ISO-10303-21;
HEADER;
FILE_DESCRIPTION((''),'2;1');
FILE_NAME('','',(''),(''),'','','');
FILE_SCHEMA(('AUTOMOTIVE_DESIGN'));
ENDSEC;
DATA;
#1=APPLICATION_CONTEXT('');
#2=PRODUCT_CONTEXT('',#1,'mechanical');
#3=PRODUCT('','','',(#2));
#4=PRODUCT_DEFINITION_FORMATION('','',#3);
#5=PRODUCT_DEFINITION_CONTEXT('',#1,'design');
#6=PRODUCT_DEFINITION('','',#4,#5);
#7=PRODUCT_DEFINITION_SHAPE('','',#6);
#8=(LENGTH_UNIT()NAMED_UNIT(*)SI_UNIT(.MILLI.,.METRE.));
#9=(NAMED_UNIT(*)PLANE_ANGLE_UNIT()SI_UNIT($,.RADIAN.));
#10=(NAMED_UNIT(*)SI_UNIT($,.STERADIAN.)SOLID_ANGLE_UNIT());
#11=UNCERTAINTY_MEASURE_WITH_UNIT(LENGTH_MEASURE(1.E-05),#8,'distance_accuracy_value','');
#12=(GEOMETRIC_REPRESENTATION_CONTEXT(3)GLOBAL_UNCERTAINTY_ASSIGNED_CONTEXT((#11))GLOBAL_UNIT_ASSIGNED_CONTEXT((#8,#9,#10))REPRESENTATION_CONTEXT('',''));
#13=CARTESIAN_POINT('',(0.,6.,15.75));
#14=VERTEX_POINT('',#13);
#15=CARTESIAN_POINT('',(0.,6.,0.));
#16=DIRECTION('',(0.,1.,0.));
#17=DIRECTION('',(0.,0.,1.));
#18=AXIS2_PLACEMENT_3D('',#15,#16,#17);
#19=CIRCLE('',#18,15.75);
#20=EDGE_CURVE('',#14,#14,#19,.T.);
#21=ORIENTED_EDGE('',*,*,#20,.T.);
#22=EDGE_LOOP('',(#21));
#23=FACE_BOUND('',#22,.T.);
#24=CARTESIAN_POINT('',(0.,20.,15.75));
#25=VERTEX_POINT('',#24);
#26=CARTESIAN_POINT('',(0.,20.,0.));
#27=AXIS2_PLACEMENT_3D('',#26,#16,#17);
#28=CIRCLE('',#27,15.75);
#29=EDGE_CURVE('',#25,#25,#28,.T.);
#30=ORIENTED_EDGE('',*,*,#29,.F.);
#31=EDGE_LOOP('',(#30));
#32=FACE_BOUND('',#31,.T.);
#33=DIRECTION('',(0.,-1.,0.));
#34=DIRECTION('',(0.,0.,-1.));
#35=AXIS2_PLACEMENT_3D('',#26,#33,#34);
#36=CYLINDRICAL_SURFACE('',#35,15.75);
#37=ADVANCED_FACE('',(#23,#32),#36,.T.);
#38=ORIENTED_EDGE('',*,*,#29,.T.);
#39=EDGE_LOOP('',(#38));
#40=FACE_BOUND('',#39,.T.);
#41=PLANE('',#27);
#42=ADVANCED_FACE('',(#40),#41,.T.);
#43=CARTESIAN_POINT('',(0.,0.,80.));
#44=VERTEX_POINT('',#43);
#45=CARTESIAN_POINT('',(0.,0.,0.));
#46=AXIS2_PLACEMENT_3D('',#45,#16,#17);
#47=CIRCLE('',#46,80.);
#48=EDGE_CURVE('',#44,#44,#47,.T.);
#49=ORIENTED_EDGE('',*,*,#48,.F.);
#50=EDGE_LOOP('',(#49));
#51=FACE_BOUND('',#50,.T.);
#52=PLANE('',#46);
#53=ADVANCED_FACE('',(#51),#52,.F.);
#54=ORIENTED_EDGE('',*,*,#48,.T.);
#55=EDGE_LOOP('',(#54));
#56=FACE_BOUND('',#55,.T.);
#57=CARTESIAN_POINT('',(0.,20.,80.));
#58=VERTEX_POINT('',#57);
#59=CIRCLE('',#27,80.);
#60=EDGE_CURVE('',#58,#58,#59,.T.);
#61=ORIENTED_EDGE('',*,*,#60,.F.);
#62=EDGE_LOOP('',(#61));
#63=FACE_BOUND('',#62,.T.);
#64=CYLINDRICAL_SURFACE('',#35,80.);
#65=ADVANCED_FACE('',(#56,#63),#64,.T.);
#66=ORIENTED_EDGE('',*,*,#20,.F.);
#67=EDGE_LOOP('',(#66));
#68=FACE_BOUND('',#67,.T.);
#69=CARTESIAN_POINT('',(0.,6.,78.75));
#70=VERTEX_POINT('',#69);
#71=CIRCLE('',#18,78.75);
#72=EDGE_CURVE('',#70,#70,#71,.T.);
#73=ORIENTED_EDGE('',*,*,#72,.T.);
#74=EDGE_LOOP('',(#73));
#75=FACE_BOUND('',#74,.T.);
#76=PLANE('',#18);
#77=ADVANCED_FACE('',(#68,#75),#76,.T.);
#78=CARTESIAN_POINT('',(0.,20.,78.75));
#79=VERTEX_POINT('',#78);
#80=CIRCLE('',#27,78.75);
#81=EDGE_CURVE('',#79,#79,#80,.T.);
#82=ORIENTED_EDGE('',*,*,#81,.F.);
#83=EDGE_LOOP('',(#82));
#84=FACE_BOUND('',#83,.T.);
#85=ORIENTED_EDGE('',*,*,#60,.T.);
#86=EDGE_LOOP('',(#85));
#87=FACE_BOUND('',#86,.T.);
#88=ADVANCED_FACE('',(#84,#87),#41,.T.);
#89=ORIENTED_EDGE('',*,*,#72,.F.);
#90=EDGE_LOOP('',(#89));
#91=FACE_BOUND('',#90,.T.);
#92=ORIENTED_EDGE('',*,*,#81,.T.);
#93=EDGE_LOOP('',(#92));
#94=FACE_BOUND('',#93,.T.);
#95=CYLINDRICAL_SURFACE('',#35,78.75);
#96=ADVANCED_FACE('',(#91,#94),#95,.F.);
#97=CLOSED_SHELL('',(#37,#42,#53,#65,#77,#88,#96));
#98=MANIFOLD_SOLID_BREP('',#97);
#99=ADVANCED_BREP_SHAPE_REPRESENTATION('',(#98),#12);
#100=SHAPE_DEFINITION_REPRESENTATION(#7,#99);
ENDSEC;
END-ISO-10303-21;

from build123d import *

# Parameters (mm, degrees)
SKETCH1_R           = 80
SKETCH1_R_2         = 78.75
BOSS_EXTRUDE1_DEPTH = 20
SKETCH1_3_R         = 15.75
BOSS_EXTRUDE2_DEPTH = 20
SKETCH1_4_R         = 78.75
SKETCH1_4_R_2       = 15.75
BOSS_EXTRUDE3_DEPTH = 6


with BuildPart() as part:
    # Sketch1 → Boss-Extrude1 (new body)
    with BuildSketch(Plane(origin=(0, 0, 0), x_dir=(1, 0, 0), z_dir=(0, 1, 0))):
        Circle(SKETCH1_R)
        Circle(SKETCH1_R_2, mode=Mode.SUBTRACT)
    extrude(amount=BOSS_EXTRUDE1_DEPTH)



with BuildPart() as body_2:
    # Sketch1<3> → Boss-Extrude2 (new body)
    with BuildSketch(Plane(origin=(0, 0, 0), x_dir=(1, 0, 0), z_dir=(0, 1, 0))):
        Circle(SKETCH1_3_R)
    extrude(amount=BOSS_EXTRUDE2_DEPTH)


with BuildPart() as part_1:
    add(part.part)

    add(body_2.part)  # Boss-Extrude3 merges body 2
    # Sketch1<4> → Boss-Extrude3 (add)
    with BuildSketch(Plane(origin=(0, 0, 0), x_dir=(1, 0, 0), z_dir=(0, 1, 0))):
        Circle(SKETCH1_4_R)
        Circle(SKETCH1_4_R_2, mode=Mode.SUBTRACT)
    extrude(amount=BOSS_EXTRUDE3_DEPTH)


solid = part_1.part
